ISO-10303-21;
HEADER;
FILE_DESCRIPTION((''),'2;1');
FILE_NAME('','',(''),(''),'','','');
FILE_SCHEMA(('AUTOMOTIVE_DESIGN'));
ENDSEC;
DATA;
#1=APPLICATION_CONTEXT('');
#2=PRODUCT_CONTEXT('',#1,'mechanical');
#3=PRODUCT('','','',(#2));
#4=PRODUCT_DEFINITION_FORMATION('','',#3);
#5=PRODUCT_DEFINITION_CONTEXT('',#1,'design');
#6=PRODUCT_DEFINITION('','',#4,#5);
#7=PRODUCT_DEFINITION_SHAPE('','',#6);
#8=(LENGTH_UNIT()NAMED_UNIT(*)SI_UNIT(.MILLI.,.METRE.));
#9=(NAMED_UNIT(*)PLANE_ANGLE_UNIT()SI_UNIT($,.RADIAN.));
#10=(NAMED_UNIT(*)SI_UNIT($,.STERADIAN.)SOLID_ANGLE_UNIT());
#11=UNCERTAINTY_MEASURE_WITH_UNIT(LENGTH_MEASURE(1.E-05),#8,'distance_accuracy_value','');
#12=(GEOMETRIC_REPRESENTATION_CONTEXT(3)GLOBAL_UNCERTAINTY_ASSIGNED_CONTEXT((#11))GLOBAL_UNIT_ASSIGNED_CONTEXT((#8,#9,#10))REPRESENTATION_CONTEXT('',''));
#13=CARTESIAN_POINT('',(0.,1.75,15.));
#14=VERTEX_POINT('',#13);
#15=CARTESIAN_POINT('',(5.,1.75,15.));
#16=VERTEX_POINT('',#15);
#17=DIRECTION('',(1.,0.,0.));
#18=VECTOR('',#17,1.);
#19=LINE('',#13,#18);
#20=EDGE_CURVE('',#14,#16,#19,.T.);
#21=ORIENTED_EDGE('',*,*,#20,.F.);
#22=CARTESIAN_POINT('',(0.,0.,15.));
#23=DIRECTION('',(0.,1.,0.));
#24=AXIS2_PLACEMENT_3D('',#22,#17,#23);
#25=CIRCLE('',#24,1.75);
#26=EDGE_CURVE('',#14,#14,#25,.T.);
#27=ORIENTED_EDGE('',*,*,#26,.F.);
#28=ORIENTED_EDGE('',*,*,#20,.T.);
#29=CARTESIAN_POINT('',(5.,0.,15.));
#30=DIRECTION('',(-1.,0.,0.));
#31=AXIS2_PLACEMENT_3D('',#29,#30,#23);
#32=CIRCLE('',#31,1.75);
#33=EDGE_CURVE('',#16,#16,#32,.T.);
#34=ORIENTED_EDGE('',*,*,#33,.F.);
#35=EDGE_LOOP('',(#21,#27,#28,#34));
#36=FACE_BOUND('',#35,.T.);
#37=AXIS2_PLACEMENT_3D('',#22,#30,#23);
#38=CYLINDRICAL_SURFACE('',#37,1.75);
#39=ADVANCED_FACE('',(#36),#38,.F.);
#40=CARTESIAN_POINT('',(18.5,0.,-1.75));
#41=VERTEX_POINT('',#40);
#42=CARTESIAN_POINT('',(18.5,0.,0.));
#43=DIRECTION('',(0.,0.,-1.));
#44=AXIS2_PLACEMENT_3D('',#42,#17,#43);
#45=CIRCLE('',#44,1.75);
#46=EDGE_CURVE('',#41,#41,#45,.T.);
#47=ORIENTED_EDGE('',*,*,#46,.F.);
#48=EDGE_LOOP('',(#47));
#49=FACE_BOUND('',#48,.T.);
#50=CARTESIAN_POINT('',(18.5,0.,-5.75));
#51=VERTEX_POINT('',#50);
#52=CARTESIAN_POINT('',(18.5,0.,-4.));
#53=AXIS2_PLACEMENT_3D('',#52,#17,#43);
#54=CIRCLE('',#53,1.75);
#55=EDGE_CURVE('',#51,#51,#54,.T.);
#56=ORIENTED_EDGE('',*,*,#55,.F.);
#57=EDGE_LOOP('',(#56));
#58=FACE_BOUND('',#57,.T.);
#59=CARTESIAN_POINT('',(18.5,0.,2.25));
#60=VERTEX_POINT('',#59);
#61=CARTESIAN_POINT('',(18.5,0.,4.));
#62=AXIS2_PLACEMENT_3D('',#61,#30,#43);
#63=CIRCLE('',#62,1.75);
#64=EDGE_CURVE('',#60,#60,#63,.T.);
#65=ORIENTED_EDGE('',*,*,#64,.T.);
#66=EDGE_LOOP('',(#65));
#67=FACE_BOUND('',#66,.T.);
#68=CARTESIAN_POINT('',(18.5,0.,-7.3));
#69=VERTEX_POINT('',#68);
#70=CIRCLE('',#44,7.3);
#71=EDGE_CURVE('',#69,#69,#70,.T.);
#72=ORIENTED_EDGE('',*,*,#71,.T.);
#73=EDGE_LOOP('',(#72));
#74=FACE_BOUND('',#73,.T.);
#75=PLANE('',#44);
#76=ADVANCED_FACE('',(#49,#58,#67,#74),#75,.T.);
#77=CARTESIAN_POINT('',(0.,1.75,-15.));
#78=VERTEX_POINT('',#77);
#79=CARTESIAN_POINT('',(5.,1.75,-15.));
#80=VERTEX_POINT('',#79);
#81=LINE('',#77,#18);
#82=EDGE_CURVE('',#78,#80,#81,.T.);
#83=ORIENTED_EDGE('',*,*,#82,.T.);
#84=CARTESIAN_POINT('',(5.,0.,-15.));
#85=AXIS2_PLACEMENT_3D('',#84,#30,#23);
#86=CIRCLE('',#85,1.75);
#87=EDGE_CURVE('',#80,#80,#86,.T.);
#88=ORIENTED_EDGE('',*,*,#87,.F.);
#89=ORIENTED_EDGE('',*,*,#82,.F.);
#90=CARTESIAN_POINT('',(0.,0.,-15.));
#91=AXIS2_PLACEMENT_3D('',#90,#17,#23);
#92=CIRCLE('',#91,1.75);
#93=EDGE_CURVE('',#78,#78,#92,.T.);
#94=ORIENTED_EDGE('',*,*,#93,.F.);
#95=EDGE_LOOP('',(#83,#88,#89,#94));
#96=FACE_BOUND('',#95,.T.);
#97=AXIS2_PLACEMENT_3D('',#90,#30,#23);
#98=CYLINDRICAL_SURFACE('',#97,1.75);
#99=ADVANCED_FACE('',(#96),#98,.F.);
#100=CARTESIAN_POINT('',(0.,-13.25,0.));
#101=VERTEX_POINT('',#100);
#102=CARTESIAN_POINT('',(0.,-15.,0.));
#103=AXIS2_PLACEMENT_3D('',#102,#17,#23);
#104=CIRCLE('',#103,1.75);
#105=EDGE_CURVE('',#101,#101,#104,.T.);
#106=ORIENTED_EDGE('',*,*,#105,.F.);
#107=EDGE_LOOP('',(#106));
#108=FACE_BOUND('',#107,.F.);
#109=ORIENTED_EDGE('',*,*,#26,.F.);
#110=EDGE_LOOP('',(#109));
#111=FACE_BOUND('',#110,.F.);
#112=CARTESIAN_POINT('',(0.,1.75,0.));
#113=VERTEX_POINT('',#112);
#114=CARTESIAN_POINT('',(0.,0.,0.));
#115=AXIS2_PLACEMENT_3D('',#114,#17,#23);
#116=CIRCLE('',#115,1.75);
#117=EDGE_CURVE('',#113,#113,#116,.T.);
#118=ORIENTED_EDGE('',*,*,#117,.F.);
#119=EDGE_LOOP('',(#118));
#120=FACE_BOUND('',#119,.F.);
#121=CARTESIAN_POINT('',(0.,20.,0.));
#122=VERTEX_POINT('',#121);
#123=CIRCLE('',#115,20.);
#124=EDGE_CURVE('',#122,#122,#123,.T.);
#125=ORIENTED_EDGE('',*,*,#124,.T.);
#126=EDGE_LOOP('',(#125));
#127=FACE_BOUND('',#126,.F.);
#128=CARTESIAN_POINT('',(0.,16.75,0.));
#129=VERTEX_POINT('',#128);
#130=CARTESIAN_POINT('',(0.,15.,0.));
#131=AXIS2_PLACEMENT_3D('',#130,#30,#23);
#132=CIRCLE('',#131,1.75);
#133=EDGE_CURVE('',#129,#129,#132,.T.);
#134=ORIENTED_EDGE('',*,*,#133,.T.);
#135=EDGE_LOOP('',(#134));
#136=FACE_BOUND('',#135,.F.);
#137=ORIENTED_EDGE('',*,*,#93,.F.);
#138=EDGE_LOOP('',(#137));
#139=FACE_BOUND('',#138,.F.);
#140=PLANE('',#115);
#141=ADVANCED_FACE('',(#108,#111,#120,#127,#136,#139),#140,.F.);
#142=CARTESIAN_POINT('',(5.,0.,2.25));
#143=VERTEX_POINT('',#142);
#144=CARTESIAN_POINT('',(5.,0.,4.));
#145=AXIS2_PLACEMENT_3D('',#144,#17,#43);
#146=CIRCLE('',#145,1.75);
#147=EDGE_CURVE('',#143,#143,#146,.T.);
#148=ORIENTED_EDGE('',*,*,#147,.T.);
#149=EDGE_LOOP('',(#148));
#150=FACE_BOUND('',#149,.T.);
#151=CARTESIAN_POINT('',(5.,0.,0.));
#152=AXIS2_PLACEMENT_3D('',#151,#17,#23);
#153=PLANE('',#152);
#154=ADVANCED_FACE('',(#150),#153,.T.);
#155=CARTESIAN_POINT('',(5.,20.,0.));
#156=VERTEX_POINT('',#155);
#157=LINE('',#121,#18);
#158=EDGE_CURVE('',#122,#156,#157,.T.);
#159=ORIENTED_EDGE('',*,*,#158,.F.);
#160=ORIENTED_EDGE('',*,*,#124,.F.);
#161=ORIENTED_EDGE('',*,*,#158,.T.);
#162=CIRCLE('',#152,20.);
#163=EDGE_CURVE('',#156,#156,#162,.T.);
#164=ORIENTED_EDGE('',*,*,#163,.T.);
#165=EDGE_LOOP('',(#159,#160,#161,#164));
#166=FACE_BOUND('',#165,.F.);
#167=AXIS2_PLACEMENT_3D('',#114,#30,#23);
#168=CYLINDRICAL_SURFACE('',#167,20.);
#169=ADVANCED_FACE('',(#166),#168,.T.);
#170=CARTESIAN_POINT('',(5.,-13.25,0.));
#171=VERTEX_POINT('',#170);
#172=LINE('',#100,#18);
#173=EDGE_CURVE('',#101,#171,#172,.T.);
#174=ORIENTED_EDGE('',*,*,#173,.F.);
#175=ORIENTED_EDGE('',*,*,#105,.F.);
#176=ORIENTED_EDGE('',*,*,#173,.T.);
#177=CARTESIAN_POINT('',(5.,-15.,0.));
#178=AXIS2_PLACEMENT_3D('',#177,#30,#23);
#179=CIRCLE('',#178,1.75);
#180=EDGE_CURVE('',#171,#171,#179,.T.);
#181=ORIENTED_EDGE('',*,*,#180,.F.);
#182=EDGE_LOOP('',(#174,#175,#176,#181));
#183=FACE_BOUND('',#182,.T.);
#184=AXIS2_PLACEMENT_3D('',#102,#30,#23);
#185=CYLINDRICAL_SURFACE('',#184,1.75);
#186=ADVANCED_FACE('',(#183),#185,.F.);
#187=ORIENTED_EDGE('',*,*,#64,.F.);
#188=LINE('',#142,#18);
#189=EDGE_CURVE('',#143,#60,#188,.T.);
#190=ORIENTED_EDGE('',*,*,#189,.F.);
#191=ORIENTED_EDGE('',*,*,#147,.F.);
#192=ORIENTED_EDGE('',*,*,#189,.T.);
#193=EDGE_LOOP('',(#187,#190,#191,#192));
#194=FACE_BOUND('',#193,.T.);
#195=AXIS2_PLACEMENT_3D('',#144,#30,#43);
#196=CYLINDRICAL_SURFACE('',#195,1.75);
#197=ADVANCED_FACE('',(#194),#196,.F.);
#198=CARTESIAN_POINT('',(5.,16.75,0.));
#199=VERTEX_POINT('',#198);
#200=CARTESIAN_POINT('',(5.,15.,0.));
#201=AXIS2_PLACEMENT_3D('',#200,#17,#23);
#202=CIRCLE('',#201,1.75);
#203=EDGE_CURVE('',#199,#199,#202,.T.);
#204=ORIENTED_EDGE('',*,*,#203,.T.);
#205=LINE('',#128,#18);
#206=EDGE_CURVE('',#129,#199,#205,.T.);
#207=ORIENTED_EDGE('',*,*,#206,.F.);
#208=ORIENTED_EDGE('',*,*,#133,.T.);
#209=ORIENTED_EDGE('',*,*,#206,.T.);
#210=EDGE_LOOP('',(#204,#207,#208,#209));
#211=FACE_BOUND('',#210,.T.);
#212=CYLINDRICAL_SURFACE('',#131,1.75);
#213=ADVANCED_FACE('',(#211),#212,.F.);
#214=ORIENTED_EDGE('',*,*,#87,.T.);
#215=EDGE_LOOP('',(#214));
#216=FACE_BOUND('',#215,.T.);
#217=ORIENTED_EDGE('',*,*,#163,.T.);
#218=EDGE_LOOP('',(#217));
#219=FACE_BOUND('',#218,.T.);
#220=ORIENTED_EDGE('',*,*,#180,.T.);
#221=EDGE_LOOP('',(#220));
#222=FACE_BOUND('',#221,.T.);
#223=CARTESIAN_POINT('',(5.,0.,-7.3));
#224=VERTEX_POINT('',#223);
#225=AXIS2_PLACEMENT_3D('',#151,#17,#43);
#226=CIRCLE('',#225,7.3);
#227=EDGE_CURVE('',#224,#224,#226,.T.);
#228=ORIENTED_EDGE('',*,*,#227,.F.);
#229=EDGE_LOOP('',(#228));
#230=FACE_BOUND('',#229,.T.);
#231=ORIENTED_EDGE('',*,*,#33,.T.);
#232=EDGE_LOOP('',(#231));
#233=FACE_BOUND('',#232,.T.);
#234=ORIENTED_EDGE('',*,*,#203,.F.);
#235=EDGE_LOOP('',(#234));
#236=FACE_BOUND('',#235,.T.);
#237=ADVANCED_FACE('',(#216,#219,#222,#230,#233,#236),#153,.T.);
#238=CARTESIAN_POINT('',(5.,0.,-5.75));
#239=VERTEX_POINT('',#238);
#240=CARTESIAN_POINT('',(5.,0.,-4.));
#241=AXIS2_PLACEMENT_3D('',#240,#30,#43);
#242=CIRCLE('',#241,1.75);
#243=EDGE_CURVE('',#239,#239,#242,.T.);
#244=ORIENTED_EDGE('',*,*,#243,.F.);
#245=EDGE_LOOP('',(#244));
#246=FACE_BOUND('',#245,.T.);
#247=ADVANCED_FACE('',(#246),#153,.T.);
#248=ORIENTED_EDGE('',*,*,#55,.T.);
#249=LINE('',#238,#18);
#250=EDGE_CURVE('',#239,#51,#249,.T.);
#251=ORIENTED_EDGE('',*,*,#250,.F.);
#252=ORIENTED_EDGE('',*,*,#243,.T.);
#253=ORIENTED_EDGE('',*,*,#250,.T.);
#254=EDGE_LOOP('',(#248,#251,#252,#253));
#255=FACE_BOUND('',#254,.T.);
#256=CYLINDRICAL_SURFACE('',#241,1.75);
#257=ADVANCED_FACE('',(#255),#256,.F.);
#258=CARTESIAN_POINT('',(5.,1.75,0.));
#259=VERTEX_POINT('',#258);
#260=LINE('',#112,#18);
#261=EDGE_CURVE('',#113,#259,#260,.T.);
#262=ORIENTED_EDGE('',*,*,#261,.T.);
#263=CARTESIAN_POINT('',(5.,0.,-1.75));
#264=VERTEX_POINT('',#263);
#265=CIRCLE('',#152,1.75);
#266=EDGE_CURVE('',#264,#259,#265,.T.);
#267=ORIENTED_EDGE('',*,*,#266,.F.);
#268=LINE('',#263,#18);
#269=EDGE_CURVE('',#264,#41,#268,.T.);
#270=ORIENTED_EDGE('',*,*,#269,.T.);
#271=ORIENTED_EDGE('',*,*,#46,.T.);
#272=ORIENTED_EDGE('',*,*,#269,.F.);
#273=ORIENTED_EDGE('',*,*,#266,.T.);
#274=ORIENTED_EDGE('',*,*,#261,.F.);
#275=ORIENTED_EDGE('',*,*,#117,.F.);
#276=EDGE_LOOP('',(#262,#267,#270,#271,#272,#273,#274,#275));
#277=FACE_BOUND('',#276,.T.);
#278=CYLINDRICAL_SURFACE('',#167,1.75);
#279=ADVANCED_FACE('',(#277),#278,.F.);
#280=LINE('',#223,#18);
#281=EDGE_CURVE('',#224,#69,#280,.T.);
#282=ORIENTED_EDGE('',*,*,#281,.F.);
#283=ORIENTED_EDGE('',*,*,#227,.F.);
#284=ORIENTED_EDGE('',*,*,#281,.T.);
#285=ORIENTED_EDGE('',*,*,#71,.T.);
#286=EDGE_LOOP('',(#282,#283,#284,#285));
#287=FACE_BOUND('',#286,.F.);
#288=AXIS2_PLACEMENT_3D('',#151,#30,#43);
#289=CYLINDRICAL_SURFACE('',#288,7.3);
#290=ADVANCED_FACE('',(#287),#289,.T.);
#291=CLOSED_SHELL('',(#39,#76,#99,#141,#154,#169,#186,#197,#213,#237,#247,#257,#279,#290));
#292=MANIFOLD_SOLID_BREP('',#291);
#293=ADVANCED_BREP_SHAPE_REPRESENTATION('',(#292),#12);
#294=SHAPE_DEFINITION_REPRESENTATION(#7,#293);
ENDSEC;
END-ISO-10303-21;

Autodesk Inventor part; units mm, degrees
ref_plane "YZ Plane" through (0, 0, 0) normal (1, 0, 0) x (0, 1, 0)
ref_plane "XZ Plane" through (0, 0, 0) normal (0, 1, 0) x (-1, 0, 0)
ref_plane "XY Plane" through (0, 0, 0) normal (0, 0, 1) x (1, 0, 0)
sketch "Sketch1" plane through (0, 0, 0) normal (1, 0, 0) x (0, 1, 0)
  circle A0 centre (0, 0) radius 15
  circle A1 centre (15, 0) radius 1.75
  circle A2 centre (0, 15) radius 1.75
  circle A3 centre (-15, 0) radius 1.75
  circle A4 centre (0, -15) radius 1.75
  circle A5 centre (0, 0) radius 1.75
  circle A6 centre (0, 0) radius 20
  dimension "d0" = 30
  dimension "d1" = 3.5
  dimension "d4" = 360
  dimension "d6" = 3.5
  dimension "d7" = 40
extrude "Extrusion1" add sketch "Sketch1" along normal blind 5 contours A1 A0 A4 A3 A2 | A6
sketch "Sketch5" plane through (5, 0, 0) normal (1, 0, 0) x (0, 0, -1)
  circle A0 centre (0, 0) radius 1.75 projected
  circle A1 centre (0, 0) radius 4
  circle A2 centre (4, 0) radius 1.75
  circle A3 centre (-4, 0) radius 1.75
  circle A4 centre (0, 0) radius 7.3
  dimension "d38" = 8
  dimension "d39" = 3.5
  dimension "d42" = 360
  dimension "d44" = 14.6
extrude "Extrusion5" add sketch "Sketch5" along normal blind 13.5 contours A2 A1 A3 | A4
equation "\"BendRadius\" = Thickness"
equation "\"BendReliefWidth\" = Thickness"
equation "\"BendReliefDepth\" = 0.5 * Thickness"
equation "\"CornerReliefSize\" = 4 * Thickness"
equation "\"MinimumRemnant\" = 2 * Thickness"
equation "\"TransitionRadius\" = BendRadius"
equation "\"JacobiRadiusSize\" = BendRadius"
equation "\"GapSize\" = Thickness"
equation "\"Thickness\" = 0.5"
properties part number "EaglePowerCycDriveAdaptor"
